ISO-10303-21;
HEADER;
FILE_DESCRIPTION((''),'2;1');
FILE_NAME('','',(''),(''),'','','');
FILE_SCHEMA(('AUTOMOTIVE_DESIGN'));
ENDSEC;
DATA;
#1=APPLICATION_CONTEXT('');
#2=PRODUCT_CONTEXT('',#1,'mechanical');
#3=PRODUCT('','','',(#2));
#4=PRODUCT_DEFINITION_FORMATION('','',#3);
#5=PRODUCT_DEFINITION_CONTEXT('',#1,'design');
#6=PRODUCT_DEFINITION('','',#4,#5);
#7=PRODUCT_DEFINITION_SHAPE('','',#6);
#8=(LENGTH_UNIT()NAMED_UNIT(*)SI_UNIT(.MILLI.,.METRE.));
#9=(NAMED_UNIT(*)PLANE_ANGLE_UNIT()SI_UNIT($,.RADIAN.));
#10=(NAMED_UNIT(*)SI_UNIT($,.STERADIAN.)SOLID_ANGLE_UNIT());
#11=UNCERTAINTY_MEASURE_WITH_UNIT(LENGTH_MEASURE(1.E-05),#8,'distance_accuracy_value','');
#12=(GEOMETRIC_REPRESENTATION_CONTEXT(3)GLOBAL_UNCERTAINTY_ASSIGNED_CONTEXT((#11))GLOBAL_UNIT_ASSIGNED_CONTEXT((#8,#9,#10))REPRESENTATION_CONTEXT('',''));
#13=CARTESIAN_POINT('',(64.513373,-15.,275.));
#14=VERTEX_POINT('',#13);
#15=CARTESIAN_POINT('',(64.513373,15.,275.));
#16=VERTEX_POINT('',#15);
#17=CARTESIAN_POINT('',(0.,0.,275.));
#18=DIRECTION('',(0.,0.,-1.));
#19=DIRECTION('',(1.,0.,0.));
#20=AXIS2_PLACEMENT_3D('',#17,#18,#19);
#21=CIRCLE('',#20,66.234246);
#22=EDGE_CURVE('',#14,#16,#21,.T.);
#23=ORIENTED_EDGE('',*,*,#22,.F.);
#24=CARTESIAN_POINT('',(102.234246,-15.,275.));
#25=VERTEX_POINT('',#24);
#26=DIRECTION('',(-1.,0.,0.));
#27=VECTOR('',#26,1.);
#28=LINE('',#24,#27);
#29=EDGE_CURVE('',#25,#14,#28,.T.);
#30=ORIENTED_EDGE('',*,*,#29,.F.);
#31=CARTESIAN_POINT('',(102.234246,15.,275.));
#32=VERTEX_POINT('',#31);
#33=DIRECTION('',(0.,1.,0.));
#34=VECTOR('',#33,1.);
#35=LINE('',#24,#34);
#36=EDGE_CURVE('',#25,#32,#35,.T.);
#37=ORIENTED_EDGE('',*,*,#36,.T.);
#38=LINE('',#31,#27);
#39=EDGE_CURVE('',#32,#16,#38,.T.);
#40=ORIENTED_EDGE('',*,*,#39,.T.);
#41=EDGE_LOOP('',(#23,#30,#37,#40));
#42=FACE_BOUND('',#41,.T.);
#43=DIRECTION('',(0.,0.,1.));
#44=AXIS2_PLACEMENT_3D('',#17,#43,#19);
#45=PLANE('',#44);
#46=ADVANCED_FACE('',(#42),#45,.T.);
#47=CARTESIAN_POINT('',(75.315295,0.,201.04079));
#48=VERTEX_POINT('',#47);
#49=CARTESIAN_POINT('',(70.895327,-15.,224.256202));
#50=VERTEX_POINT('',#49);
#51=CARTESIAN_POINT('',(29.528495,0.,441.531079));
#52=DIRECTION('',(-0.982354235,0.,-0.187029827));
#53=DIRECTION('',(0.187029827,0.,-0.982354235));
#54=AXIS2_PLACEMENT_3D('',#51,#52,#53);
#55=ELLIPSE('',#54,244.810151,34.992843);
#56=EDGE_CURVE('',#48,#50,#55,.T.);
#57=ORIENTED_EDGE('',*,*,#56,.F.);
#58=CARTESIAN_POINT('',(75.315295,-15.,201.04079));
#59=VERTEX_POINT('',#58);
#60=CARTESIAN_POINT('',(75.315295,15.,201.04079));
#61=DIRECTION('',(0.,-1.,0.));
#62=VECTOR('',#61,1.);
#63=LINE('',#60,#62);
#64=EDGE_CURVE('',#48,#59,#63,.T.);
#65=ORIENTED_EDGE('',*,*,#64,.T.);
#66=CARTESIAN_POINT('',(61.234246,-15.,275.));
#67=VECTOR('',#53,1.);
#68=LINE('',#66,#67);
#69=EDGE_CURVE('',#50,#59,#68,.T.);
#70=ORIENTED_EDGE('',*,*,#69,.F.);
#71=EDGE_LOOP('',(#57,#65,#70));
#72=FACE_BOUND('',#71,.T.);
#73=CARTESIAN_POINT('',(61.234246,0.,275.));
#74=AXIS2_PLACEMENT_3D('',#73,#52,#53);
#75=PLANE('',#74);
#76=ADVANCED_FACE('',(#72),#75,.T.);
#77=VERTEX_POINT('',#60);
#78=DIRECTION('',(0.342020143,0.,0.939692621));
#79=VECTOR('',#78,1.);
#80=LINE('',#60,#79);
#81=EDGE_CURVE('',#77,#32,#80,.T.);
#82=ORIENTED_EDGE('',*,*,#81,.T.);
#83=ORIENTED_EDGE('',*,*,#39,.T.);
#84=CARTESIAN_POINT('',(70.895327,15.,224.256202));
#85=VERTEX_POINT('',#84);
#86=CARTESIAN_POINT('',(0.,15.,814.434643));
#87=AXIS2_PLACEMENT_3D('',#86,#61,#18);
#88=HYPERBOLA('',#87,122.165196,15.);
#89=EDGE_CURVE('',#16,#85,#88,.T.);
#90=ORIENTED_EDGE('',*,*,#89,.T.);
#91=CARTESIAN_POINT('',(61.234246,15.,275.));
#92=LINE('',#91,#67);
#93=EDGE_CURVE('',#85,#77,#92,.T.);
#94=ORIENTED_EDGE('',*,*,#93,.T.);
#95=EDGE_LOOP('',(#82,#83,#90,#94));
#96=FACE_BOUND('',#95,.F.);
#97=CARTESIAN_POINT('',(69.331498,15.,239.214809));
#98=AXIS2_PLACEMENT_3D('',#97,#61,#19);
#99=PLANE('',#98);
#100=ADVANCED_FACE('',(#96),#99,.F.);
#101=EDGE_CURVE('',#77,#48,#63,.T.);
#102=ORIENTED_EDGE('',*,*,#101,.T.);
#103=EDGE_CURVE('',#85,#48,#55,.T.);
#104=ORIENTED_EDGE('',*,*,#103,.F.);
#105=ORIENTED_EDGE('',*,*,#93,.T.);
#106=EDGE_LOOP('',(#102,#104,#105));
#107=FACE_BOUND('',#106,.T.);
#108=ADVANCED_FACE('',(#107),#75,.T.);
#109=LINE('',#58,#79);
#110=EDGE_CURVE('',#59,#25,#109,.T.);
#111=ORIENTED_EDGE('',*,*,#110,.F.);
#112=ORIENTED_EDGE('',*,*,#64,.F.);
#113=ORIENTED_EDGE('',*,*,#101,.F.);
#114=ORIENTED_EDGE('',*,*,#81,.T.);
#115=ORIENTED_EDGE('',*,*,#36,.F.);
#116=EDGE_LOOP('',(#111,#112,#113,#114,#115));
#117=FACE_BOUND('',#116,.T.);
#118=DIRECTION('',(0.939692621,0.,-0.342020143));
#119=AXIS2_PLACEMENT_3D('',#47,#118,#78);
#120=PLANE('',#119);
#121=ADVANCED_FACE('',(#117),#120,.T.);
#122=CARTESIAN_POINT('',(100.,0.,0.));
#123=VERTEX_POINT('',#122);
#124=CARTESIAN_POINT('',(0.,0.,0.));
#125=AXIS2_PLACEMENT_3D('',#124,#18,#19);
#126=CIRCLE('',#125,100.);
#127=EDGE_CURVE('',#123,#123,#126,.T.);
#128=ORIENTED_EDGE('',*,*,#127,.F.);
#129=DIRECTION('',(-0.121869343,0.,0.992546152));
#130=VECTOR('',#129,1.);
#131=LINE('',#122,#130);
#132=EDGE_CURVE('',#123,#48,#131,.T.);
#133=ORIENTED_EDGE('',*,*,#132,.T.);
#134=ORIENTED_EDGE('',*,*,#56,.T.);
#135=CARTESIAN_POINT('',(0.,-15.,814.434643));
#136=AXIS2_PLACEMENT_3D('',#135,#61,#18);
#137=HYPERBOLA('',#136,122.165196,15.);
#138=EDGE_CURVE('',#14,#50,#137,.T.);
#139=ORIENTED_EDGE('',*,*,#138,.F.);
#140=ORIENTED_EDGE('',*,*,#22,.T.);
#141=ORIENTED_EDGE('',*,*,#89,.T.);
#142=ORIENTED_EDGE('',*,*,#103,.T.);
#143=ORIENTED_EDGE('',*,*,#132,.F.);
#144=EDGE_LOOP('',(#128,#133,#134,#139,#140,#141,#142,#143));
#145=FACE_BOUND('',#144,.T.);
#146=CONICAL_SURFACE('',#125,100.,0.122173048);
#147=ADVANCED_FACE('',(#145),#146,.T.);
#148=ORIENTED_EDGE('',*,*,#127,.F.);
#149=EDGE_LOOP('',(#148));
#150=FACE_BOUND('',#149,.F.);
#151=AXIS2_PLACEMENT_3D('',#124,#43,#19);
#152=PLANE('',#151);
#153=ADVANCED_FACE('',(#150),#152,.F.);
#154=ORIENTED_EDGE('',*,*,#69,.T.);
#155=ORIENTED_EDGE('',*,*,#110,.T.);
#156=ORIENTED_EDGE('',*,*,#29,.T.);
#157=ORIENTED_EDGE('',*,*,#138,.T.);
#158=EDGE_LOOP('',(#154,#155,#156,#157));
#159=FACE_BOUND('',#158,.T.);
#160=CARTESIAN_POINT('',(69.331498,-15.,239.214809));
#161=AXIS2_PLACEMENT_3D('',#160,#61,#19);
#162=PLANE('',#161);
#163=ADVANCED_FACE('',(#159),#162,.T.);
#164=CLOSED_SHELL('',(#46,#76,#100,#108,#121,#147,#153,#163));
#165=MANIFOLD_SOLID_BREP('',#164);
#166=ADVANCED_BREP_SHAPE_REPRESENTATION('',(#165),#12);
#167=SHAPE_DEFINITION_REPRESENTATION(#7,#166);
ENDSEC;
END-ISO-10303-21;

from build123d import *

# Parameters (mm, degrees)
F0_R     = 100
F1_DEPTH = 275
F1_TAPER = 7
F3_DEPTH = 15


with BuildPart() as f1:
    # F0 (on Top) → F1 (new body)
    with BuildSketch(Plane.XY):
        Circle(F0_R)
    extrude(amount=F1_DEPTH, taper=F1_TAPER)

    # F2 (on Front) → F3 (join, symmetric)
    with BuildSketch(Plane.XZ):
        Polygon((66.2342457517, 275), (61.2342457517, 275), (75.3152948474, 201.0407902351), align=None)
        Polygon((102.2342457517, 275), (66.2342457517, 275), (75.3152948474, 201.0407902351), align=None)
    extrude(amount=F3_DEPTH, both=True)


solid = f1.part
